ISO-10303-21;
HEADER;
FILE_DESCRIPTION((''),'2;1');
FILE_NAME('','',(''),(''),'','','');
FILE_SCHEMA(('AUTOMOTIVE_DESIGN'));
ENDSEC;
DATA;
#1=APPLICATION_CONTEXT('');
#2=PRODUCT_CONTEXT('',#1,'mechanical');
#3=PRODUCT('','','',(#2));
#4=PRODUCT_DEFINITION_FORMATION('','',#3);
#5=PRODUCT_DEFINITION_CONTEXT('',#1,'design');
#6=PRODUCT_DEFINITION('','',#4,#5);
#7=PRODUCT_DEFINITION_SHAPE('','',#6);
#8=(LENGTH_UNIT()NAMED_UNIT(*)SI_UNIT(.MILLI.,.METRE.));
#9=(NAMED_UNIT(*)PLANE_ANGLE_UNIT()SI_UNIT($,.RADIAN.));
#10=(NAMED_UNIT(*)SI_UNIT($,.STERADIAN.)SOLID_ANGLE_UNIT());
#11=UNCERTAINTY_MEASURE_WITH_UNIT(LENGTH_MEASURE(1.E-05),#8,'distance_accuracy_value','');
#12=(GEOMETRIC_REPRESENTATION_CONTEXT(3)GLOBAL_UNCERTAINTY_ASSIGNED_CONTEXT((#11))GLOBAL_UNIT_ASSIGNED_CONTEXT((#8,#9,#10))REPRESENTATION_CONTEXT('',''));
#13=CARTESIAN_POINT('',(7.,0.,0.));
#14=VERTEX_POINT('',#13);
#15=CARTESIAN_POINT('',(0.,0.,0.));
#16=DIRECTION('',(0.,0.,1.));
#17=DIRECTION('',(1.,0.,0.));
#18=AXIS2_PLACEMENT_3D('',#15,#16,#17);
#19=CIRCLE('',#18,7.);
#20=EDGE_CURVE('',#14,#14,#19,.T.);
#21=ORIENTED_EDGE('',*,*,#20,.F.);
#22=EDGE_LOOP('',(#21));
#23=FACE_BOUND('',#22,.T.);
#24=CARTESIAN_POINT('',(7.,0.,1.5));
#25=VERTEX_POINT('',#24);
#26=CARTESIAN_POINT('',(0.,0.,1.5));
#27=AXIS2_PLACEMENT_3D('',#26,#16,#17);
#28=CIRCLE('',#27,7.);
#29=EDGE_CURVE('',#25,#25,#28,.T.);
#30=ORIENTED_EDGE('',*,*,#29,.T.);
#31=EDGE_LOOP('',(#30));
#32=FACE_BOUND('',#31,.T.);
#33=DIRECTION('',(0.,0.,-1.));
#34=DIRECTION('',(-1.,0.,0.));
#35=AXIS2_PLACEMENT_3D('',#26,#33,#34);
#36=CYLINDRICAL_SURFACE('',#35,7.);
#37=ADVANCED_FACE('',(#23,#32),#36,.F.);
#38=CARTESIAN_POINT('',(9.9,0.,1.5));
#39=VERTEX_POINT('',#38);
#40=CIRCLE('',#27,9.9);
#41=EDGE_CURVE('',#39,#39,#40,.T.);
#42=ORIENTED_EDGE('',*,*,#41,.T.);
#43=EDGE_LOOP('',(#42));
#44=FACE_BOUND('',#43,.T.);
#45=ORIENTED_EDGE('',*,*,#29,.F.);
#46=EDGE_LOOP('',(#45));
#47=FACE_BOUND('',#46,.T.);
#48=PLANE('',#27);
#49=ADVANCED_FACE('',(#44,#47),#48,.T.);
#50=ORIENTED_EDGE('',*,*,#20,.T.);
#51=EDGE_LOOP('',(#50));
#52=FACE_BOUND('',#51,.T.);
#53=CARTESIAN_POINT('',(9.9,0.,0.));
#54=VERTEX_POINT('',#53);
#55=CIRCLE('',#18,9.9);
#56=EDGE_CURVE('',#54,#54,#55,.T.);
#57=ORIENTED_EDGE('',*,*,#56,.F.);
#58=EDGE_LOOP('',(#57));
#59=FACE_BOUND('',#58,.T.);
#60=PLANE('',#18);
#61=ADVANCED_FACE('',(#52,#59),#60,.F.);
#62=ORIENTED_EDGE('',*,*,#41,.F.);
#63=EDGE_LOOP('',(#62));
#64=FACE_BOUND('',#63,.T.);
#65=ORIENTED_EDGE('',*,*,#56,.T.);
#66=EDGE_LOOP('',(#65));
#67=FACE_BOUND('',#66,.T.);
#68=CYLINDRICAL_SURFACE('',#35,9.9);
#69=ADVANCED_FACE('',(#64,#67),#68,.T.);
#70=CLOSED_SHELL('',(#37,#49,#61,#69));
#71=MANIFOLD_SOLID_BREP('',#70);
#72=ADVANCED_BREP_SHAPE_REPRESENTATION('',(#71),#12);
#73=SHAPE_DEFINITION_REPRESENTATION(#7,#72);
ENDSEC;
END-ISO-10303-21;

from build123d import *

# Parameters (mm, degrees)
ESQUISSE1_R          = 9.9
ESQUISSE1_R_2        = 7
BASE_EXTRUSION_DEPTH = 1.5


with BuildPart() as part:
    # Esquisse1 → Base-Extrusion (new body)
    with BuildSketch(Plane.XY):
        Circle(ESQUISSE1_R)
        Circle(ESQUISSE1_R_2, mode=Mode.SUBTRACT)
    extrude(amount=BASE_EXTRUSION_DEPTH)


solid = part.part
